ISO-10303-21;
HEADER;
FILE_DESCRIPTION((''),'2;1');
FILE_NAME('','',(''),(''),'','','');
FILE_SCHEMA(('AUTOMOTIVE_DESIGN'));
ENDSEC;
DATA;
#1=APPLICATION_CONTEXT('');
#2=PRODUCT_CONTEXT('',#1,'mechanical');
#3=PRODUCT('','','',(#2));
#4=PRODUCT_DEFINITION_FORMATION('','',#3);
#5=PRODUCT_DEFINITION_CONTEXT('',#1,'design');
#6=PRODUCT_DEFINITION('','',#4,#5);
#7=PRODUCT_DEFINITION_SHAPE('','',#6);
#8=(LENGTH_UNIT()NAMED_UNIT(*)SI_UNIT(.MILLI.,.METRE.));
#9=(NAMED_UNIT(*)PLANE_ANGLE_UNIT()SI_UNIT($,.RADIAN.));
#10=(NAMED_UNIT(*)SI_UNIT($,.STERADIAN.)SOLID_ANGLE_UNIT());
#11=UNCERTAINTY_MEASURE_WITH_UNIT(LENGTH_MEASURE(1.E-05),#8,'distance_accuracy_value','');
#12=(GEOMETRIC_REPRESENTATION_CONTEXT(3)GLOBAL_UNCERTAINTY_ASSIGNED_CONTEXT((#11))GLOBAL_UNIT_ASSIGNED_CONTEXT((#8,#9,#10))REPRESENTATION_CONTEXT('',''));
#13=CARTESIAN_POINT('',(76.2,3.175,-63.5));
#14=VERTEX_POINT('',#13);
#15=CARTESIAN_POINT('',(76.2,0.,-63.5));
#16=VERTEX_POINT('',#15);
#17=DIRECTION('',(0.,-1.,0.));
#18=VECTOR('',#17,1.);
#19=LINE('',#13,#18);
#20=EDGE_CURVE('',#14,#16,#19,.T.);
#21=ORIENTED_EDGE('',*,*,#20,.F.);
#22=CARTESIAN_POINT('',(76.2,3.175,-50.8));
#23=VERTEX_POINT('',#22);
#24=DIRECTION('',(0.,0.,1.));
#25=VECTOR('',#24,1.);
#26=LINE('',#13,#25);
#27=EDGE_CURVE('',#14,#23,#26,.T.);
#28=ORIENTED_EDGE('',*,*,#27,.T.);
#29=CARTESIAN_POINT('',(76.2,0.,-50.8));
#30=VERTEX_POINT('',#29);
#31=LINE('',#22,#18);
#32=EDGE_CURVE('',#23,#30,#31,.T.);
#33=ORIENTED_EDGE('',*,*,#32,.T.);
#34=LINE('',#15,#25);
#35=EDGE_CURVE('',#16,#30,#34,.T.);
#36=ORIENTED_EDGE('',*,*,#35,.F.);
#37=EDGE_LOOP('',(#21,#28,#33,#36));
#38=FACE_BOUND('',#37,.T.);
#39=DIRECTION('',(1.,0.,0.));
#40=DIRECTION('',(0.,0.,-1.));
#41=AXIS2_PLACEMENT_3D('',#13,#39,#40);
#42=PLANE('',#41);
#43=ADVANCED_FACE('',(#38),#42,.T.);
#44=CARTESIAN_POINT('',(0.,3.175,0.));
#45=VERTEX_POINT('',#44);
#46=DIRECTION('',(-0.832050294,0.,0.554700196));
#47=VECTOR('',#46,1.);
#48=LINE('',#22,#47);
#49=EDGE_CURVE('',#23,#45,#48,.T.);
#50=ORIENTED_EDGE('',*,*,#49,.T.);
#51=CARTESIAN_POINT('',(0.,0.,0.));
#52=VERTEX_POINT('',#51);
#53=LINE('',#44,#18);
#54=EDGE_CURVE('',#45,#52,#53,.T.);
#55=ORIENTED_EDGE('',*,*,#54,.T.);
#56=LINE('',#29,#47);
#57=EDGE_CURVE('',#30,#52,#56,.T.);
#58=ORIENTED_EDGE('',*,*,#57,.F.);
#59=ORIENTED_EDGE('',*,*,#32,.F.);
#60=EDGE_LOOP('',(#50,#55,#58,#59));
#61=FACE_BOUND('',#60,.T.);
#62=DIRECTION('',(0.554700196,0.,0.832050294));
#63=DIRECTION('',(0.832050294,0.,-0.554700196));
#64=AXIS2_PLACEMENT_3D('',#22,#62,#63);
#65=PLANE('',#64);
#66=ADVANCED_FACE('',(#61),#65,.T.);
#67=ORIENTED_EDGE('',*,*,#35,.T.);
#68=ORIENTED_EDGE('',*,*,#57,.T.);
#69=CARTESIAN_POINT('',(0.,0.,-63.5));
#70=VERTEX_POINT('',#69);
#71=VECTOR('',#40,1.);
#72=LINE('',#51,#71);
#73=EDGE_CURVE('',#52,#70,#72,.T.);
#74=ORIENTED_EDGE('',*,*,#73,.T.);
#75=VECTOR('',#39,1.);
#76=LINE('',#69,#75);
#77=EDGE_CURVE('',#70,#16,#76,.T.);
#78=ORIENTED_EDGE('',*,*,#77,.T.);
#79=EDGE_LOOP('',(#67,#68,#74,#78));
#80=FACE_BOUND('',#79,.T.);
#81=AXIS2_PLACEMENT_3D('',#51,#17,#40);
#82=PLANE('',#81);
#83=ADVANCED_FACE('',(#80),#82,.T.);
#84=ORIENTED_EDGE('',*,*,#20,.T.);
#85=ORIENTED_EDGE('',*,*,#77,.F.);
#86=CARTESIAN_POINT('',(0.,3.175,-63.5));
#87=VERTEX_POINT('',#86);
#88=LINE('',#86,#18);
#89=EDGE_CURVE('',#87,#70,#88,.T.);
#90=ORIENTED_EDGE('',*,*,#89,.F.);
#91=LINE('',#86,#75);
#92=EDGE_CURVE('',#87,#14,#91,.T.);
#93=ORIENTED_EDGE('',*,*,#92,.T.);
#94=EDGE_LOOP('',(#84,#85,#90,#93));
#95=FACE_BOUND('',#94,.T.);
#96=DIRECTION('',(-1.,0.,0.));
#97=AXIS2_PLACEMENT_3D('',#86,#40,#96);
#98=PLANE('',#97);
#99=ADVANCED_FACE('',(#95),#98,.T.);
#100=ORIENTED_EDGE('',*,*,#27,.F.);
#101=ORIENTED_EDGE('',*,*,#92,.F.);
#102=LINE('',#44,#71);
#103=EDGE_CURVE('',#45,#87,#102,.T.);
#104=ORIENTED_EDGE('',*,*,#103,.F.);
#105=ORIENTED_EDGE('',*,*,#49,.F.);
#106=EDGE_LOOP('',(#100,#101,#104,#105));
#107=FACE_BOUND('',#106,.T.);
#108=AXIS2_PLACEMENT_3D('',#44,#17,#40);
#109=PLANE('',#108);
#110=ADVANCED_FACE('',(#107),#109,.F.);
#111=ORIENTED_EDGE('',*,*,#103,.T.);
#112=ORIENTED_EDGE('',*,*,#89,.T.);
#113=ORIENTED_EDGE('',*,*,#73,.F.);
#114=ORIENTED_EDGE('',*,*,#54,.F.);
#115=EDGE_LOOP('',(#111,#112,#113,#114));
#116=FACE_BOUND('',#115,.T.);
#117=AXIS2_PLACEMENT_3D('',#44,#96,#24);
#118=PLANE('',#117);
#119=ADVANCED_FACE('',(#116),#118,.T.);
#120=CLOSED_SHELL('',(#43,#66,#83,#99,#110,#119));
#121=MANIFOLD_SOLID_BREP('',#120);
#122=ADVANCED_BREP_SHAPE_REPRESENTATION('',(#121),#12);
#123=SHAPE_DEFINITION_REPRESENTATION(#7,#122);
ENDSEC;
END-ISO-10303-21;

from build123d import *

# Parameters (mm, degrees)
BOSS_EXTRUDE2_DEPTH = 3.175


with BuildPart() as part:
    # Sketch2 → Boss-Extrude2 (new body)
    with BuildSketch(Plane(origin=(0, 0, 0), x_dir=(1, 0, 0), z_dir=(0, 1, 0))):
        Polygon((0, 0), (0, 63.5), (76.2, 63.5), (76.2, 50.8), align=None)
    extrude(amount=BOSS_EXTRUDE2_DEPTH)


solid = part.part
